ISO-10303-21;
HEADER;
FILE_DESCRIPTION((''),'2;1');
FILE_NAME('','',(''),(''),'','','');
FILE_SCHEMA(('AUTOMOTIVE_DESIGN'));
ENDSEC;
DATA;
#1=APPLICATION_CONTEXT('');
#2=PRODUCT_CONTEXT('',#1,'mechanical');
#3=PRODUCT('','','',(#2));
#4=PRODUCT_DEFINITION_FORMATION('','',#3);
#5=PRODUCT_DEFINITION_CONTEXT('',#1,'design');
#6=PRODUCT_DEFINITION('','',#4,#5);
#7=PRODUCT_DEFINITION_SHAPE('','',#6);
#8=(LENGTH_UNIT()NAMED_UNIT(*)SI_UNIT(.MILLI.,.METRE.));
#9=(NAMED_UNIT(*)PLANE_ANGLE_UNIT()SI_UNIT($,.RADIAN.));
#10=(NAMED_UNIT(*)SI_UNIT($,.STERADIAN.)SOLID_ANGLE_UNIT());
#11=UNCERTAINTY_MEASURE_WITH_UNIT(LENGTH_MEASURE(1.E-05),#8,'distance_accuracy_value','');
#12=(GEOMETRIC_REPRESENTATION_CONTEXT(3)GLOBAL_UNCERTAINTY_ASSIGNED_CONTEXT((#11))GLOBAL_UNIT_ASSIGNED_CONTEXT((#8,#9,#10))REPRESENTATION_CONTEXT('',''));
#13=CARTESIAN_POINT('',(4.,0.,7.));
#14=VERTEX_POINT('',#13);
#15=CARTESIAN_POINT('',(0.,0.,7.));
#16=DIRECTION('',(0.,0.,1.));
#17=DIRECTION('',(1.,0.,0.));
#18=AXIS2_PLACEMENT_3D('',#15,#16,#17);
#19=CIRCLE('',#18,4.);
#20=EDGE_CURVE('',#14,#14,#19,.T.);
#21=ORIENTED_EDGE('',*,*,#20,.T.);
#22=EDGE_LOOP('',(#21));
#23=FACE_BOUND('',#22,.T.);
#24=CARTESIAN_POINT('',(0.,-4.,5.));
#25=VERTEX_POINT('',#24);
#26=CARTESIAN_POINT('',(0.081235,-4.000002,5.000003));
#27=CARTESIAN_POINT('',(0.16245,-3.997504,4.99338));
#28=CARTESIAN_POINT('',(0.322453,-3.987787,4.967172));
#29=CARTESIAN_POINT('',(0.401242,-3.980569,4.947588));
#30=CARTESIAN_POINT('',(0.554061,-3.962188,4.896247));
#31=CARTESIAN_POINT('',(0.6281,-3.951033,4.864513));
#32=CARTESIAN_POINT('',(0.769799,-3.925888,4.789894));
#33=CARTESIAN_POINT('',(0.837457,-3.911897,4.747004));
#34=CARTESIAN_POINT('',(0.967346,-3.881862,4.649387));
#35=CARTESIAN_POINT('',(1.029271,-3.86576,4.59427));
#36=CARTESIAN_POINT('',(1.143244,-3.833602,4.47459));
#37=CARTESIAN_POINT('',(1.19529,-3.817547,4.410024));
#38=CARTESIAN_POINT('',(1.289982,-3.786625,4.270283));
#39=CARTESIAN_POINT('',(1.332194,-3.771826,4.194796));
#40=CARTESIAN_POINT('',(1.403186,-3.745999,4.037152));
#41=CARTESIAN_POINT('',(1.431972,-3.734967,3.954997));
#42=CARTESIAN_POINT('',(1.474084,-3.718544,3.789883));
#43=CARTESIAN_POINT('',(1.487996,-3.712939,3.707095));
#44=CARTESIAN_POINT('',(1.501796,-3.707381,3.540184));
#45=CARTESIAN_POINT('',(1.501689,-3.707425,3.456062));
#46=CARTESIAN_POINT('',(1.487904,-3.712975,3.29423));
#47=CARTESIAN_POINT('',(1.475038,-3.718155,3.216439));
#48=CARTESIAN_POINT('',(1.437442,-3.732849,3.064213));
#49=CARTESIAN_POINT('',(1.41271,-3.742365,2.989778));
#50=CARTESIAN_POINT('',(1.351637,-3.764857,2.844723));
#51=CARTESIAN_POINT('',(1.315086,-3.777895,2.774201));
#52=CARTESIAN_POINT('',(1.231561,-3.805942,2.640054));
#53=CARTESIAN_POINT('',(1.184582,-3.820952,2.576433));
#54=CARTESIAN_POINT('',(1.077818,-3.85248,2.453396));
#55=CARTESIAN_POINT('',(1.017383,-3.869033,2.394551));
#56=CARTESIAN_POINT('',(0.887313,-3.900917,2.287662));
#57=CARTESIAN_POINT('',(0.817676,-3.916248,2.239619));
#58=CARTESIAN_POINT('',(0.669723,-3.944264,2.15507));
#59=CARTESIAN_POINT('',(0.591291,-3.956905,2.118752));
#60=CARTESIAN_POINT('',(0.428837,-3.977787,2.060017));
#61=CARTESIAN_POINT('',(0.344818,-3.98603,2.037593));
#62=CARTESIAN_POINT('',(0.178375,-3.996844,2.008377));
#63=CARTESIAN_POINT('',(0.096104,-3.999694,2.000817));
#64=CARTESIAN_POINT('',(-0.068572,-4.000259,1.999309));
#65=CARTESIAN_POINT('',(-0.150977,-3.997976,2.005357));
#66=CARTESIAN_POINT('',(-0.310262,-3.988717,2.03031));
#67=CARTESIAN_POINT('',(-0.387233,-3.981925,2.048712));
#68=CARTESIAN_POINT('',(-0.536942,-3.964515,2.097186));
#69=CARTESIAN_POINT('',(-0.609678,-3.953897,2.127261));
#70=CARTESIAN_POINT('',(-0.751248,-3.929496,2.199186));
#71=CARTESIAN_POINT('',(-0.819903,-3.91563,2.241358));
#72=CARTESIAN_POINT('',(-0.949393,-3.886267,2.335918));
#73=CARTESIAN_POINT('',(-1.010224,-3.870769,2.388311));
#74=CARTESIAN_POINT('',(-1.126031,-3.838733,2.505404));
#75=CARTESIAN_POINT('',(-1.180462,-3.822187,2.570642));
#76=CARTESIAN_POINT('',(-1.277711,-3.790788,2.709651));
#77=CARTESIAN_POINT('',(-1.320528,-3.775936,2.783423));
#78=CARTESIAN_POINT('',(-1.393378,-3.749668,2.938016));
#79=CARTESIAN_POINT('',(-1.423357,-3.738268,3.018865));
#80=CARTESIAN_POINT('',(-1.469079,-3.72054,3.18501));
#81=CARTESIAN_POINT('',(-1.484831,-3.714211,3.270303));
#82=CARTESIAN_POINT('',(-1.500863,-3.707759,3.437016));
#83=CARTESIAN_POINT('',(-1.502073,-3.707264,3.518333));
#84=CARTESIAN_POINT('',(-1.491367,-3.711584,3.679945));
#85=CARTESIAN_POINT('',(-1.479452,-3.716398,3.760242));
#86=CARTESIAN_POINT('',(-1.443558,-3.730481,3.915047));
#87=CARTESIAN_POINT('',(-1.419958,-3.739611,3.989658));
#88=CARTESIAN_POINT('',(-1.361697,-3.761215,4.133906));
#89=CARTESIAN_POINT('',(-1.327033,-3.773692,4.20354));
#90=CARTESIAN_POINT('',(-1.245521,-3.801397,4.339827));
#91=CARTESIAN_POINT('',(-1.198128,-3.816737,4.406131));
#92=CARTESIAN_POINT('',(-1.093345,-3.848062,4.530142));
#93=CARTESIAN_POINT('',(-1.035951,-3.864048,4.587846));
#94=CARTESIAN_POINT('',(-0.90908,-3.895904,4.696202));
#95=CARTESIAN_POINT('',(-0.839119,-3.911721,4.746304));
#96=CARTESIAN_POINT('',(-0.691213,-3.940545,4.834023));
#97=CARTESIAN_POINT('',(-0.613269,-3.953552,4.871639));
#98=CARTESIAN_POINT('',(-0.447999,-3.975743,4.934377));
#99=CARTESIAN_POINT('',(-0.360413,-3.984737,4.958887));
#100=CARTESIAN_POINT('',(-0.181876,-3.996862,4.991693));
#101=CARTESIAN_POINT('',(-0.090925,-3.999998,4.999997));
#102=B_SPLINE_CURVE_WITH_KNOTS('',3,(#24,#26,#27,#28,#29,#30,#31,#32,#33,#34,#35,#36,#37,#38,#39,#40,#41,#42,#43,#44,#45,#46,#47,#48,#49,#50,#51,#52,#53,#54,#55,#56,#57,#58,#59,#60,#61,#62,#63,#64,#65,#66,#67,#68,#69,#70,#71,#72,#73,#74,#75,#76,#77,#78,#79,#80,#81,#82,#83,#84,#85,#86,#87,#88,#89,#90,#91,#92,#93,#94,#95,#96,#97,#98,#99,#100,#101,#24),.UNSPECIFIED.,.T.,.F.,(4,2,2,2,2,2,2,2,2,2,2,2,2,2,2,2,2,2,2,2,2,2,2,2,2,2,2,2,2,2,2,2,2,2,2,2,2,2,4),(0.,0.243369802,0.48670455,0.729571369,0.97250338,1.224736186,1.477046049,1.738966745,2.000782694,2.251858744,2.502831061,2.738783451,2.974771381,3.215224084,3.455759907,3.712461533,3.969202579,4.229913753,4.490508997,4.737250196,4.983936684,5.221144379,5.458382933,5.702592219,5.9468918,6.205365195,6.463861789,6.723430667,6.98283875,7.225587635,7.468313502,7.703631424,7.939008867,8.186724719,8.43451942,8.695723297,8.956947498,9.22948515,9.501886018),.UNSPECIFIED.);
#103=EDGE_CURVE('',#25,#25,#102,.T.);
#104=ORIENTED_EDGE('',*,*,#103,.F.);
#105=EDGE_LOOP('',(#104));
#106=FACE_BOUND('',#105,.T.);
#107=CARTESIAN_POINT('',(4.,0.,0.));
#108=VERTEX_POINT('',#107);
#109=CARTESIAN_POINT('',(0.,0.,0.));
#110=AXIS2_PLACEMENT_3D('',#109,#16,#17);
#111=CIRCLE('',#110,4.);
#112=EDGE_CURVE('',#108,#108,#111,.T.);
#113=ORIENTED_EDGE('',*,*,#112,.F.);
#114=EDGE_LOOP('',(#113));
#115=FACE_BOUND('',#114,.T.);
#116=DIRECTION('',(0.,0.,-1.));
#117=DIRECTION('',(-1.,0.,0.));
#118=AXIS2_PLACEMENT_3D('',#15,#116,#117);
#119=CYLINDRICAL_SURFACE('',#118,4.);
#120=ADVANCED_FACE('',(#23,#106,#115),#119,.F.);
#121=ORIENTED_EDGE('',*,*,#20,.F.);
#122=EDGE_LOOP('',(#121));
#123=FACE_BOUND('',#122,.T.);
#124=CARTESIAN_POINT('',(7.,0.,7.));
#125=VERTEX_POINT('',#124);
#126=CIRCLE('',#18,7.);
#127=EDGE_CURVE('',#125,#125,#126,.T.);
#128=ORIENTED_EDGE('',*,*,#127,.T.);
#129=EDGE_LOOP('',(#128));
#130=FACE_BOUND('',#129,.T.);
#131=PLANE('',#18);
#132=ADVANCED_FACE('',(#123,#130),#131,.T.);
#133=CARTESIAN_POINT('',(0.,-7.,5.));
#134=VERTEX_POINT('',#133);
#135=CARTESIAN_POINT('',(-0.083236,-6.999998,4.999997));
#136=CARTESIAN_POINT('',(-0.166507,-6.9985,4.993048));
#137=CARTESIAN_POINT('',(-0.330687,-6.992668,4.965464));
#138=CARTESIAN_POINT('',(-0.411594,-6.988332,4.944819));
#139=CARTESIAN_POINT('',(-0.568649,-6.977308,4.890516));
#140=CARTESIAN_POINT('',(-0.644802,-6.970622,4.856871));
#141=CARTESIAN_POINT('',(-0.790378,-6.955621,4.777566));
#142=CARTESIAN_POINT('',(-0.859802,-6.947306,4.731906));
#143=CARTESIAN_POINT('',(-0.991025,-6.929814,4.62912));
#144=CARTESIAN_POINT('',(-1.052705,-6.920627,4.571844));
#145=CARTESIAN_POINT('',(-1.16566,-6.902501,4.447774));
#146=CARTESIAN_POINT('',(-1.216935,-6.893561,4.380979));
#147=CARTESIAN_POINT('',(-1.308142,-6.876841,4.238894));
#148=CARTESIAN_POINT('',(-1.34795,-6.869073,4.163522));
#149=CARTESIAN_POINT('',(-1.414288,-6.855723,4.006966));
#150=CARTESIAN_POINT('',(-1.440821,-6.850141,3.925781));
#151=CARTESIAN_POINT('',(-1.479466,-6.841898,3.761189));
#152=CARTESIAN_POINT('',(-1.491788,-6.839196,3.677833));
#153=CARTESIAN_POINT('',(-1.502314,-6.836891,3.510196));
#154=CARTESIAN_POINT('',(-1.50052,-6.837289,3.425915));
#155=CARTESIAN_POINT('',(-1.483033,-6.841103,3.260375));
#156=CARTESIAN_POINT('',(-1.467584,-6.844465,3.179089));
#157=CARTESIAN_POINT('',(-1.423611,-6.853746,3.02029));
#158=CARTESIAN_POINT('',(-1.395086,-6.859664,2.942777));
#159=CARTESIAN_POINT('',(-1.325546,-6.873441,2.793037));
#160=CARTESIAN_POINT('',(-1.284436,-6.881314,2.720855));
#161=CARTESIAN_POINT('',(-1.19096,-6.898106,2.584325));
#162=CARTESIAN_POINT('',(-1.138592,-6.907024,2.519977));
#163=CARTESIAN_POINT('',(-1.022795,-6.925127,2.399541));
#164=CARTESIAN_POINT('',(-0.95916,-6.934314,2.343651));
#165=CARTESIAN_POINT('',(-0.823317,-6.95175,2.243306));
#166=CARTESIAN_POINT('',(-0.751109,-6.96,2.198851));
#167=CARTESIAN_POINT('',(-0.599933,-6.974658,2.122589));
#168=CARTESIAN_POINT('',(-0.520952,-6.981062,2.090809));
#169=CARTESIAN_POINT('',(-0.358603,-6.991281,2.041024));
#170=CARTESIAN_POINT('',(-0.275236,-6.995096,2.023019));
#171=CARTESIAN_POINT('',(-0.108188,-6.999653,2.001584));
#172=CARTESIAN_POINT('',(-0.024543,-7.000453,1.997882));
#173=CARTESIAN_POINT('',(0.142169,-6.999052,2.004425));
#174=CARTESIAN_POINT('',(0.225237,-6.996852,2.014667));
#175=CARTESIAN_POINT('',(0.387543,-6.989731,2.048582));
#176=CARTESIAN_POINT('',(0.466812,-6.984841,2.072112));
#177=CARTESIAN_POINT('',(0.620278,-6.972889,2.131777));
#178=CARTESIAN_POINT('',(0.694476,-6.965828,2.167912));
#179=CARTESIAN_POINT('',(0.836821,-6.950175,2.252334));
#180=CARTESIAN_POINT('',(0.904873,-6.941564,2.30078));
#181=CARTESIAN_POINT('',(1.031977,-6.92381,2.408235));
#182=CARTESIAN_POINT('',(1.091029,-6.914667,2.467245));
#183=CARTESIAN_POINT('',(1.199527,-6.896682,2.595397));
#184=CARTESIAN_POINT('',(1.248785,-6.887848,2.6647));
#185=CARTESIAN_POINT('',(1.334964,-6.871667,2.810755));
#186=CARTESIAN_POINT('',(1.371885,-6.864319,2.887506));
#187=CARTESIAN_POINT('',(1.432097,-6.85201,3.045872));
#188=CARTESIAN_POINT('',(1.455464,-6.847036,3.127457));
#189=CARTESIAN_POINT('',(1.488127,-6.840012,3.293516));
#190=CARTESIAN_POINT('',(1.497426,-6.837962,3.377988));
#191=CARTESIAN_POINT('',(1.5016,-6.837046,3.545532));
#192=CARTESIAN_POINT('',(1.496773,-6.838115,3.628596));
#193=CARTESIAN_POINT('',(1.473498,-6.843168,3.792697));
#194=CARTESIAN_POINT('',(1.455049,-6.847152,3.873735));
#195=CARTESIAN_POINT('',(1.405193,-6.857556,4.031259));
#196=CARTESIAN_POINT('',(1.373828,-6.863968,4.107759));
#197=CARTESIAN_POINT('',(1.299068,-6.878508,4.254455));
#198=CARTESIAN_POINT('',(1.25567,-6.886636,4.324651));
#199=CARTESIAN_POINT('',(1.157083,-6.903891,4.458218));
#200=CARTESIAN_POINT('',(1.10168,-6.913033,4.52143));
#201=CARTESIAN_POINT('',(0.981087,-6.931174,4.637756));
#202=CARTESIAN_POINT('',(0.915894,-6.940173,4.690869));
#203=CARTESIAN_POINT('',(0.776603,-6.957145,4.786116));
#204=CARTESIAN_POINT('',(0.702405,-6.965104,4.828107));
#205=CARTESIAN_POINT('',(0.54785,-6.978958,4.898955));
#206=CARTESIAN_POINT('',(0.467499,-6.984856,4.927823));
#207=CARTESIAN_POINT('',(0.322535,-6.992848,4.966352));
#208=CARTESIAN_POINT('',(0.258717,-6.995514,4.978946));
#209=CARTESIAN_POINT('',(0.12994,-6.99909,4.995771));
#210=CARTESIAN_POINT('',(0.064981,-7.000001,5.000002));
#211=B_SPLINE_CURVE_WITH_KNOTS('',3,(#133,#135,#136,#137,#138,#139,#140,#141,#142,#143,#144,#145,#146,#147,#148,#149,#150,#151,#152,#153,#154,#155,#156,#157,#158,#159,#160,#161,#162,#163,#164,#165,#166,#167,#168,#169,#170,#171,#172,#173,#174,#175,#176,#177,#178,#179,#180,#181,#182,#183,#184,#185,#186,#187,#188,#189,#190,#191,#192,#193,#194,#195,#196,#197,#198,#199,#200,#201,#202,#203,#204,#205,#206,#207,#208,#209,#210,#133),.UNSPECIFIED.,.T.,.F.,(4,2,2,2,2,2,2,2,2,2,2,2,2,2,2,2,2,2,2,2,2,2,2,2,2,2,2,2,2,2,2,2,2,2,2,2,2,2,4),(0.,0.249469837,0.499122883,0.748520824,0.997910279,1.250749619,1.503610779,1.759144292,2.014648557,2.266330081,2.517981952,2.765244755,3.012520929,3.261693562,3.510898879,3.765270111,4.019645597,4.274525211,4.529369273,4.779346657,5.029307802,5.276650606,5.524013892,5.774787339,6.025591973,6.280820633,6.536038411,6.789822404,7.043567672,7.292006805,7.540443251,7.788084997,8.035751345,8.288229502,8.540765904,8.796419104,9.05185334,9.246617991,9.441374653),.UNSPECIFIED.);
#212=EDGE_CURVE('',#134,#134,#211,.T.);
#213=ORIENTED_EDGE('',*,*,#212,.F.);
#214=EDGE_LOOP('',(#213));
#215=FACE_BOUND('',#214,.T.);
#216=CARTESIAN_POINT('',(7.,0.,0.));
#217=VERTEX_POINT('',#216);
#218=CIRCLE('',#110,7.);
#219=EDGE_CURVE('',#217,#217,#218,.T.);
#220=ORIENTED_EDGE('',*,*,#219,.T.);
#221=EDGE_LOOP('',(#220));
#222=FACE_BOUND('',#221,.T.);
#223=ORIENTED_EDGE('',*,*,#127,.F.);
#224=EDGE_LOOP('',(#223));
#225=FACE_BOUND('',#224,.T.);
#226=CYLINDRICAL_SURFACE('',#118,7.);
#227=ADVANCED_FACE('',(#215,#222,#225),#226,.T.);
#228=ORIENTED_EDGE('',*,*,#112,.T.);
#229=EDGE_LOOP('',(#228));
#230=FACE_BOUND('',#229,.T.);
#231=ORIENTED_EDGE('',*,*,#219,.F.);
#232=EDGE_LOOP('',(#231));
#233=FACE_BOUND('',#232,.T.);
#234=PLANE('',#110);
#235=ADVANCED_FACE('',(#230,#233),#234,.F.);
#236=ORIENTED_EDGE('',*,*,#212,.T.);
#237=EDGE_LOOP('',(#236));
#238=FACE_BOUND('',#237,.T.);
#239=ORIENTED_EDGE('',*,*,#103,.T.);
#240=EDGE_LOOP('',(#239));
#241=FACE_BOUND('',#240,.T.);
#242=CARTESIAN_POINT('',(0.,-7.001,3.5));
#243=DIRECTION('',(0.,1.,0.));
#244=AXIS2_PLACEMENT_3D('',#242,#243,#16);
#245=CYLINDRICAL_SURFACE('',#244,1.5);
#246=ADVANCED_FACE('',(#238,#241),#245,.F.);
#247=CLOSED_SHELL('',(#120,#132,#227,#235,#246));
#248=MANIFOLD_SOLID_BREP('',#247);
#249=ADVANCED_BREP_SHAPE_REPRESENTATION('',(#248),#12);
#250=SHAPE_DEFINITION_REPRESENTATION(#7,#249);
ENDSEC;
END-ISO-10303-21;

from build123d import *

# Parameters (mm, degrees)
SKETCH1_R               = 7
SKETCH1_R_2             = 4
BOSS_EXTRUDE1_DEPTH     = 7
CUT_EXTRUDE1_REACH      = 14.124
CUT_EXTRUDE1_END_RADIUS = 7
SKETCH2_R               = 1.5


with BuildPart() as part:
    # Sketch1 → Boss-Extrude1 (new body)
    with BuildSketch(Plane.XY):
        Circle(SKETCH1_R)
        Circle(SKETCH1_R_2, mode=Mode.SUBTRACT)
    extrude(amount=BOSS_EXTRUDE1_DEPTH)

    # Cut-Extrude1: up to this cylinder (the profile starts inside it)
    cut_extrude1_end = Plane(origin=(0, 0, 3.5), z_dir=(0, 0, -1)) * Cylinder(CUT_EXTRUDE1_END_RADIUS, 43.248, mode=Mode.PRIVATE)
    # Sketch2 → Cut-Extrude1 (cut, up to the surface)
    with BuildSketch(Plane(origin=(0, 0, 0), x_dir=(1, 0, 0), z_dir=(0, 1, 0)), mode=Mode.PRIVATE) as cut_extrude1_sk1:
        with Locations(Location((0, -3.5, 0), (0, 0, 270))):
            Circle(SKETCH2_R)
    cut_extrude1_tool1 = extrude(cut_extrude1_sk1.sketch, amount=-CUT_EXTRUDE1_REACH, mode=Mode.PRIVATE) & cut_extrude1_end
    add(cut_extrude1_tool1.solids().sort_by_distance((0, 0, 3.5))[0], mode=Mode.SUBTRACT)


solid = part.part
